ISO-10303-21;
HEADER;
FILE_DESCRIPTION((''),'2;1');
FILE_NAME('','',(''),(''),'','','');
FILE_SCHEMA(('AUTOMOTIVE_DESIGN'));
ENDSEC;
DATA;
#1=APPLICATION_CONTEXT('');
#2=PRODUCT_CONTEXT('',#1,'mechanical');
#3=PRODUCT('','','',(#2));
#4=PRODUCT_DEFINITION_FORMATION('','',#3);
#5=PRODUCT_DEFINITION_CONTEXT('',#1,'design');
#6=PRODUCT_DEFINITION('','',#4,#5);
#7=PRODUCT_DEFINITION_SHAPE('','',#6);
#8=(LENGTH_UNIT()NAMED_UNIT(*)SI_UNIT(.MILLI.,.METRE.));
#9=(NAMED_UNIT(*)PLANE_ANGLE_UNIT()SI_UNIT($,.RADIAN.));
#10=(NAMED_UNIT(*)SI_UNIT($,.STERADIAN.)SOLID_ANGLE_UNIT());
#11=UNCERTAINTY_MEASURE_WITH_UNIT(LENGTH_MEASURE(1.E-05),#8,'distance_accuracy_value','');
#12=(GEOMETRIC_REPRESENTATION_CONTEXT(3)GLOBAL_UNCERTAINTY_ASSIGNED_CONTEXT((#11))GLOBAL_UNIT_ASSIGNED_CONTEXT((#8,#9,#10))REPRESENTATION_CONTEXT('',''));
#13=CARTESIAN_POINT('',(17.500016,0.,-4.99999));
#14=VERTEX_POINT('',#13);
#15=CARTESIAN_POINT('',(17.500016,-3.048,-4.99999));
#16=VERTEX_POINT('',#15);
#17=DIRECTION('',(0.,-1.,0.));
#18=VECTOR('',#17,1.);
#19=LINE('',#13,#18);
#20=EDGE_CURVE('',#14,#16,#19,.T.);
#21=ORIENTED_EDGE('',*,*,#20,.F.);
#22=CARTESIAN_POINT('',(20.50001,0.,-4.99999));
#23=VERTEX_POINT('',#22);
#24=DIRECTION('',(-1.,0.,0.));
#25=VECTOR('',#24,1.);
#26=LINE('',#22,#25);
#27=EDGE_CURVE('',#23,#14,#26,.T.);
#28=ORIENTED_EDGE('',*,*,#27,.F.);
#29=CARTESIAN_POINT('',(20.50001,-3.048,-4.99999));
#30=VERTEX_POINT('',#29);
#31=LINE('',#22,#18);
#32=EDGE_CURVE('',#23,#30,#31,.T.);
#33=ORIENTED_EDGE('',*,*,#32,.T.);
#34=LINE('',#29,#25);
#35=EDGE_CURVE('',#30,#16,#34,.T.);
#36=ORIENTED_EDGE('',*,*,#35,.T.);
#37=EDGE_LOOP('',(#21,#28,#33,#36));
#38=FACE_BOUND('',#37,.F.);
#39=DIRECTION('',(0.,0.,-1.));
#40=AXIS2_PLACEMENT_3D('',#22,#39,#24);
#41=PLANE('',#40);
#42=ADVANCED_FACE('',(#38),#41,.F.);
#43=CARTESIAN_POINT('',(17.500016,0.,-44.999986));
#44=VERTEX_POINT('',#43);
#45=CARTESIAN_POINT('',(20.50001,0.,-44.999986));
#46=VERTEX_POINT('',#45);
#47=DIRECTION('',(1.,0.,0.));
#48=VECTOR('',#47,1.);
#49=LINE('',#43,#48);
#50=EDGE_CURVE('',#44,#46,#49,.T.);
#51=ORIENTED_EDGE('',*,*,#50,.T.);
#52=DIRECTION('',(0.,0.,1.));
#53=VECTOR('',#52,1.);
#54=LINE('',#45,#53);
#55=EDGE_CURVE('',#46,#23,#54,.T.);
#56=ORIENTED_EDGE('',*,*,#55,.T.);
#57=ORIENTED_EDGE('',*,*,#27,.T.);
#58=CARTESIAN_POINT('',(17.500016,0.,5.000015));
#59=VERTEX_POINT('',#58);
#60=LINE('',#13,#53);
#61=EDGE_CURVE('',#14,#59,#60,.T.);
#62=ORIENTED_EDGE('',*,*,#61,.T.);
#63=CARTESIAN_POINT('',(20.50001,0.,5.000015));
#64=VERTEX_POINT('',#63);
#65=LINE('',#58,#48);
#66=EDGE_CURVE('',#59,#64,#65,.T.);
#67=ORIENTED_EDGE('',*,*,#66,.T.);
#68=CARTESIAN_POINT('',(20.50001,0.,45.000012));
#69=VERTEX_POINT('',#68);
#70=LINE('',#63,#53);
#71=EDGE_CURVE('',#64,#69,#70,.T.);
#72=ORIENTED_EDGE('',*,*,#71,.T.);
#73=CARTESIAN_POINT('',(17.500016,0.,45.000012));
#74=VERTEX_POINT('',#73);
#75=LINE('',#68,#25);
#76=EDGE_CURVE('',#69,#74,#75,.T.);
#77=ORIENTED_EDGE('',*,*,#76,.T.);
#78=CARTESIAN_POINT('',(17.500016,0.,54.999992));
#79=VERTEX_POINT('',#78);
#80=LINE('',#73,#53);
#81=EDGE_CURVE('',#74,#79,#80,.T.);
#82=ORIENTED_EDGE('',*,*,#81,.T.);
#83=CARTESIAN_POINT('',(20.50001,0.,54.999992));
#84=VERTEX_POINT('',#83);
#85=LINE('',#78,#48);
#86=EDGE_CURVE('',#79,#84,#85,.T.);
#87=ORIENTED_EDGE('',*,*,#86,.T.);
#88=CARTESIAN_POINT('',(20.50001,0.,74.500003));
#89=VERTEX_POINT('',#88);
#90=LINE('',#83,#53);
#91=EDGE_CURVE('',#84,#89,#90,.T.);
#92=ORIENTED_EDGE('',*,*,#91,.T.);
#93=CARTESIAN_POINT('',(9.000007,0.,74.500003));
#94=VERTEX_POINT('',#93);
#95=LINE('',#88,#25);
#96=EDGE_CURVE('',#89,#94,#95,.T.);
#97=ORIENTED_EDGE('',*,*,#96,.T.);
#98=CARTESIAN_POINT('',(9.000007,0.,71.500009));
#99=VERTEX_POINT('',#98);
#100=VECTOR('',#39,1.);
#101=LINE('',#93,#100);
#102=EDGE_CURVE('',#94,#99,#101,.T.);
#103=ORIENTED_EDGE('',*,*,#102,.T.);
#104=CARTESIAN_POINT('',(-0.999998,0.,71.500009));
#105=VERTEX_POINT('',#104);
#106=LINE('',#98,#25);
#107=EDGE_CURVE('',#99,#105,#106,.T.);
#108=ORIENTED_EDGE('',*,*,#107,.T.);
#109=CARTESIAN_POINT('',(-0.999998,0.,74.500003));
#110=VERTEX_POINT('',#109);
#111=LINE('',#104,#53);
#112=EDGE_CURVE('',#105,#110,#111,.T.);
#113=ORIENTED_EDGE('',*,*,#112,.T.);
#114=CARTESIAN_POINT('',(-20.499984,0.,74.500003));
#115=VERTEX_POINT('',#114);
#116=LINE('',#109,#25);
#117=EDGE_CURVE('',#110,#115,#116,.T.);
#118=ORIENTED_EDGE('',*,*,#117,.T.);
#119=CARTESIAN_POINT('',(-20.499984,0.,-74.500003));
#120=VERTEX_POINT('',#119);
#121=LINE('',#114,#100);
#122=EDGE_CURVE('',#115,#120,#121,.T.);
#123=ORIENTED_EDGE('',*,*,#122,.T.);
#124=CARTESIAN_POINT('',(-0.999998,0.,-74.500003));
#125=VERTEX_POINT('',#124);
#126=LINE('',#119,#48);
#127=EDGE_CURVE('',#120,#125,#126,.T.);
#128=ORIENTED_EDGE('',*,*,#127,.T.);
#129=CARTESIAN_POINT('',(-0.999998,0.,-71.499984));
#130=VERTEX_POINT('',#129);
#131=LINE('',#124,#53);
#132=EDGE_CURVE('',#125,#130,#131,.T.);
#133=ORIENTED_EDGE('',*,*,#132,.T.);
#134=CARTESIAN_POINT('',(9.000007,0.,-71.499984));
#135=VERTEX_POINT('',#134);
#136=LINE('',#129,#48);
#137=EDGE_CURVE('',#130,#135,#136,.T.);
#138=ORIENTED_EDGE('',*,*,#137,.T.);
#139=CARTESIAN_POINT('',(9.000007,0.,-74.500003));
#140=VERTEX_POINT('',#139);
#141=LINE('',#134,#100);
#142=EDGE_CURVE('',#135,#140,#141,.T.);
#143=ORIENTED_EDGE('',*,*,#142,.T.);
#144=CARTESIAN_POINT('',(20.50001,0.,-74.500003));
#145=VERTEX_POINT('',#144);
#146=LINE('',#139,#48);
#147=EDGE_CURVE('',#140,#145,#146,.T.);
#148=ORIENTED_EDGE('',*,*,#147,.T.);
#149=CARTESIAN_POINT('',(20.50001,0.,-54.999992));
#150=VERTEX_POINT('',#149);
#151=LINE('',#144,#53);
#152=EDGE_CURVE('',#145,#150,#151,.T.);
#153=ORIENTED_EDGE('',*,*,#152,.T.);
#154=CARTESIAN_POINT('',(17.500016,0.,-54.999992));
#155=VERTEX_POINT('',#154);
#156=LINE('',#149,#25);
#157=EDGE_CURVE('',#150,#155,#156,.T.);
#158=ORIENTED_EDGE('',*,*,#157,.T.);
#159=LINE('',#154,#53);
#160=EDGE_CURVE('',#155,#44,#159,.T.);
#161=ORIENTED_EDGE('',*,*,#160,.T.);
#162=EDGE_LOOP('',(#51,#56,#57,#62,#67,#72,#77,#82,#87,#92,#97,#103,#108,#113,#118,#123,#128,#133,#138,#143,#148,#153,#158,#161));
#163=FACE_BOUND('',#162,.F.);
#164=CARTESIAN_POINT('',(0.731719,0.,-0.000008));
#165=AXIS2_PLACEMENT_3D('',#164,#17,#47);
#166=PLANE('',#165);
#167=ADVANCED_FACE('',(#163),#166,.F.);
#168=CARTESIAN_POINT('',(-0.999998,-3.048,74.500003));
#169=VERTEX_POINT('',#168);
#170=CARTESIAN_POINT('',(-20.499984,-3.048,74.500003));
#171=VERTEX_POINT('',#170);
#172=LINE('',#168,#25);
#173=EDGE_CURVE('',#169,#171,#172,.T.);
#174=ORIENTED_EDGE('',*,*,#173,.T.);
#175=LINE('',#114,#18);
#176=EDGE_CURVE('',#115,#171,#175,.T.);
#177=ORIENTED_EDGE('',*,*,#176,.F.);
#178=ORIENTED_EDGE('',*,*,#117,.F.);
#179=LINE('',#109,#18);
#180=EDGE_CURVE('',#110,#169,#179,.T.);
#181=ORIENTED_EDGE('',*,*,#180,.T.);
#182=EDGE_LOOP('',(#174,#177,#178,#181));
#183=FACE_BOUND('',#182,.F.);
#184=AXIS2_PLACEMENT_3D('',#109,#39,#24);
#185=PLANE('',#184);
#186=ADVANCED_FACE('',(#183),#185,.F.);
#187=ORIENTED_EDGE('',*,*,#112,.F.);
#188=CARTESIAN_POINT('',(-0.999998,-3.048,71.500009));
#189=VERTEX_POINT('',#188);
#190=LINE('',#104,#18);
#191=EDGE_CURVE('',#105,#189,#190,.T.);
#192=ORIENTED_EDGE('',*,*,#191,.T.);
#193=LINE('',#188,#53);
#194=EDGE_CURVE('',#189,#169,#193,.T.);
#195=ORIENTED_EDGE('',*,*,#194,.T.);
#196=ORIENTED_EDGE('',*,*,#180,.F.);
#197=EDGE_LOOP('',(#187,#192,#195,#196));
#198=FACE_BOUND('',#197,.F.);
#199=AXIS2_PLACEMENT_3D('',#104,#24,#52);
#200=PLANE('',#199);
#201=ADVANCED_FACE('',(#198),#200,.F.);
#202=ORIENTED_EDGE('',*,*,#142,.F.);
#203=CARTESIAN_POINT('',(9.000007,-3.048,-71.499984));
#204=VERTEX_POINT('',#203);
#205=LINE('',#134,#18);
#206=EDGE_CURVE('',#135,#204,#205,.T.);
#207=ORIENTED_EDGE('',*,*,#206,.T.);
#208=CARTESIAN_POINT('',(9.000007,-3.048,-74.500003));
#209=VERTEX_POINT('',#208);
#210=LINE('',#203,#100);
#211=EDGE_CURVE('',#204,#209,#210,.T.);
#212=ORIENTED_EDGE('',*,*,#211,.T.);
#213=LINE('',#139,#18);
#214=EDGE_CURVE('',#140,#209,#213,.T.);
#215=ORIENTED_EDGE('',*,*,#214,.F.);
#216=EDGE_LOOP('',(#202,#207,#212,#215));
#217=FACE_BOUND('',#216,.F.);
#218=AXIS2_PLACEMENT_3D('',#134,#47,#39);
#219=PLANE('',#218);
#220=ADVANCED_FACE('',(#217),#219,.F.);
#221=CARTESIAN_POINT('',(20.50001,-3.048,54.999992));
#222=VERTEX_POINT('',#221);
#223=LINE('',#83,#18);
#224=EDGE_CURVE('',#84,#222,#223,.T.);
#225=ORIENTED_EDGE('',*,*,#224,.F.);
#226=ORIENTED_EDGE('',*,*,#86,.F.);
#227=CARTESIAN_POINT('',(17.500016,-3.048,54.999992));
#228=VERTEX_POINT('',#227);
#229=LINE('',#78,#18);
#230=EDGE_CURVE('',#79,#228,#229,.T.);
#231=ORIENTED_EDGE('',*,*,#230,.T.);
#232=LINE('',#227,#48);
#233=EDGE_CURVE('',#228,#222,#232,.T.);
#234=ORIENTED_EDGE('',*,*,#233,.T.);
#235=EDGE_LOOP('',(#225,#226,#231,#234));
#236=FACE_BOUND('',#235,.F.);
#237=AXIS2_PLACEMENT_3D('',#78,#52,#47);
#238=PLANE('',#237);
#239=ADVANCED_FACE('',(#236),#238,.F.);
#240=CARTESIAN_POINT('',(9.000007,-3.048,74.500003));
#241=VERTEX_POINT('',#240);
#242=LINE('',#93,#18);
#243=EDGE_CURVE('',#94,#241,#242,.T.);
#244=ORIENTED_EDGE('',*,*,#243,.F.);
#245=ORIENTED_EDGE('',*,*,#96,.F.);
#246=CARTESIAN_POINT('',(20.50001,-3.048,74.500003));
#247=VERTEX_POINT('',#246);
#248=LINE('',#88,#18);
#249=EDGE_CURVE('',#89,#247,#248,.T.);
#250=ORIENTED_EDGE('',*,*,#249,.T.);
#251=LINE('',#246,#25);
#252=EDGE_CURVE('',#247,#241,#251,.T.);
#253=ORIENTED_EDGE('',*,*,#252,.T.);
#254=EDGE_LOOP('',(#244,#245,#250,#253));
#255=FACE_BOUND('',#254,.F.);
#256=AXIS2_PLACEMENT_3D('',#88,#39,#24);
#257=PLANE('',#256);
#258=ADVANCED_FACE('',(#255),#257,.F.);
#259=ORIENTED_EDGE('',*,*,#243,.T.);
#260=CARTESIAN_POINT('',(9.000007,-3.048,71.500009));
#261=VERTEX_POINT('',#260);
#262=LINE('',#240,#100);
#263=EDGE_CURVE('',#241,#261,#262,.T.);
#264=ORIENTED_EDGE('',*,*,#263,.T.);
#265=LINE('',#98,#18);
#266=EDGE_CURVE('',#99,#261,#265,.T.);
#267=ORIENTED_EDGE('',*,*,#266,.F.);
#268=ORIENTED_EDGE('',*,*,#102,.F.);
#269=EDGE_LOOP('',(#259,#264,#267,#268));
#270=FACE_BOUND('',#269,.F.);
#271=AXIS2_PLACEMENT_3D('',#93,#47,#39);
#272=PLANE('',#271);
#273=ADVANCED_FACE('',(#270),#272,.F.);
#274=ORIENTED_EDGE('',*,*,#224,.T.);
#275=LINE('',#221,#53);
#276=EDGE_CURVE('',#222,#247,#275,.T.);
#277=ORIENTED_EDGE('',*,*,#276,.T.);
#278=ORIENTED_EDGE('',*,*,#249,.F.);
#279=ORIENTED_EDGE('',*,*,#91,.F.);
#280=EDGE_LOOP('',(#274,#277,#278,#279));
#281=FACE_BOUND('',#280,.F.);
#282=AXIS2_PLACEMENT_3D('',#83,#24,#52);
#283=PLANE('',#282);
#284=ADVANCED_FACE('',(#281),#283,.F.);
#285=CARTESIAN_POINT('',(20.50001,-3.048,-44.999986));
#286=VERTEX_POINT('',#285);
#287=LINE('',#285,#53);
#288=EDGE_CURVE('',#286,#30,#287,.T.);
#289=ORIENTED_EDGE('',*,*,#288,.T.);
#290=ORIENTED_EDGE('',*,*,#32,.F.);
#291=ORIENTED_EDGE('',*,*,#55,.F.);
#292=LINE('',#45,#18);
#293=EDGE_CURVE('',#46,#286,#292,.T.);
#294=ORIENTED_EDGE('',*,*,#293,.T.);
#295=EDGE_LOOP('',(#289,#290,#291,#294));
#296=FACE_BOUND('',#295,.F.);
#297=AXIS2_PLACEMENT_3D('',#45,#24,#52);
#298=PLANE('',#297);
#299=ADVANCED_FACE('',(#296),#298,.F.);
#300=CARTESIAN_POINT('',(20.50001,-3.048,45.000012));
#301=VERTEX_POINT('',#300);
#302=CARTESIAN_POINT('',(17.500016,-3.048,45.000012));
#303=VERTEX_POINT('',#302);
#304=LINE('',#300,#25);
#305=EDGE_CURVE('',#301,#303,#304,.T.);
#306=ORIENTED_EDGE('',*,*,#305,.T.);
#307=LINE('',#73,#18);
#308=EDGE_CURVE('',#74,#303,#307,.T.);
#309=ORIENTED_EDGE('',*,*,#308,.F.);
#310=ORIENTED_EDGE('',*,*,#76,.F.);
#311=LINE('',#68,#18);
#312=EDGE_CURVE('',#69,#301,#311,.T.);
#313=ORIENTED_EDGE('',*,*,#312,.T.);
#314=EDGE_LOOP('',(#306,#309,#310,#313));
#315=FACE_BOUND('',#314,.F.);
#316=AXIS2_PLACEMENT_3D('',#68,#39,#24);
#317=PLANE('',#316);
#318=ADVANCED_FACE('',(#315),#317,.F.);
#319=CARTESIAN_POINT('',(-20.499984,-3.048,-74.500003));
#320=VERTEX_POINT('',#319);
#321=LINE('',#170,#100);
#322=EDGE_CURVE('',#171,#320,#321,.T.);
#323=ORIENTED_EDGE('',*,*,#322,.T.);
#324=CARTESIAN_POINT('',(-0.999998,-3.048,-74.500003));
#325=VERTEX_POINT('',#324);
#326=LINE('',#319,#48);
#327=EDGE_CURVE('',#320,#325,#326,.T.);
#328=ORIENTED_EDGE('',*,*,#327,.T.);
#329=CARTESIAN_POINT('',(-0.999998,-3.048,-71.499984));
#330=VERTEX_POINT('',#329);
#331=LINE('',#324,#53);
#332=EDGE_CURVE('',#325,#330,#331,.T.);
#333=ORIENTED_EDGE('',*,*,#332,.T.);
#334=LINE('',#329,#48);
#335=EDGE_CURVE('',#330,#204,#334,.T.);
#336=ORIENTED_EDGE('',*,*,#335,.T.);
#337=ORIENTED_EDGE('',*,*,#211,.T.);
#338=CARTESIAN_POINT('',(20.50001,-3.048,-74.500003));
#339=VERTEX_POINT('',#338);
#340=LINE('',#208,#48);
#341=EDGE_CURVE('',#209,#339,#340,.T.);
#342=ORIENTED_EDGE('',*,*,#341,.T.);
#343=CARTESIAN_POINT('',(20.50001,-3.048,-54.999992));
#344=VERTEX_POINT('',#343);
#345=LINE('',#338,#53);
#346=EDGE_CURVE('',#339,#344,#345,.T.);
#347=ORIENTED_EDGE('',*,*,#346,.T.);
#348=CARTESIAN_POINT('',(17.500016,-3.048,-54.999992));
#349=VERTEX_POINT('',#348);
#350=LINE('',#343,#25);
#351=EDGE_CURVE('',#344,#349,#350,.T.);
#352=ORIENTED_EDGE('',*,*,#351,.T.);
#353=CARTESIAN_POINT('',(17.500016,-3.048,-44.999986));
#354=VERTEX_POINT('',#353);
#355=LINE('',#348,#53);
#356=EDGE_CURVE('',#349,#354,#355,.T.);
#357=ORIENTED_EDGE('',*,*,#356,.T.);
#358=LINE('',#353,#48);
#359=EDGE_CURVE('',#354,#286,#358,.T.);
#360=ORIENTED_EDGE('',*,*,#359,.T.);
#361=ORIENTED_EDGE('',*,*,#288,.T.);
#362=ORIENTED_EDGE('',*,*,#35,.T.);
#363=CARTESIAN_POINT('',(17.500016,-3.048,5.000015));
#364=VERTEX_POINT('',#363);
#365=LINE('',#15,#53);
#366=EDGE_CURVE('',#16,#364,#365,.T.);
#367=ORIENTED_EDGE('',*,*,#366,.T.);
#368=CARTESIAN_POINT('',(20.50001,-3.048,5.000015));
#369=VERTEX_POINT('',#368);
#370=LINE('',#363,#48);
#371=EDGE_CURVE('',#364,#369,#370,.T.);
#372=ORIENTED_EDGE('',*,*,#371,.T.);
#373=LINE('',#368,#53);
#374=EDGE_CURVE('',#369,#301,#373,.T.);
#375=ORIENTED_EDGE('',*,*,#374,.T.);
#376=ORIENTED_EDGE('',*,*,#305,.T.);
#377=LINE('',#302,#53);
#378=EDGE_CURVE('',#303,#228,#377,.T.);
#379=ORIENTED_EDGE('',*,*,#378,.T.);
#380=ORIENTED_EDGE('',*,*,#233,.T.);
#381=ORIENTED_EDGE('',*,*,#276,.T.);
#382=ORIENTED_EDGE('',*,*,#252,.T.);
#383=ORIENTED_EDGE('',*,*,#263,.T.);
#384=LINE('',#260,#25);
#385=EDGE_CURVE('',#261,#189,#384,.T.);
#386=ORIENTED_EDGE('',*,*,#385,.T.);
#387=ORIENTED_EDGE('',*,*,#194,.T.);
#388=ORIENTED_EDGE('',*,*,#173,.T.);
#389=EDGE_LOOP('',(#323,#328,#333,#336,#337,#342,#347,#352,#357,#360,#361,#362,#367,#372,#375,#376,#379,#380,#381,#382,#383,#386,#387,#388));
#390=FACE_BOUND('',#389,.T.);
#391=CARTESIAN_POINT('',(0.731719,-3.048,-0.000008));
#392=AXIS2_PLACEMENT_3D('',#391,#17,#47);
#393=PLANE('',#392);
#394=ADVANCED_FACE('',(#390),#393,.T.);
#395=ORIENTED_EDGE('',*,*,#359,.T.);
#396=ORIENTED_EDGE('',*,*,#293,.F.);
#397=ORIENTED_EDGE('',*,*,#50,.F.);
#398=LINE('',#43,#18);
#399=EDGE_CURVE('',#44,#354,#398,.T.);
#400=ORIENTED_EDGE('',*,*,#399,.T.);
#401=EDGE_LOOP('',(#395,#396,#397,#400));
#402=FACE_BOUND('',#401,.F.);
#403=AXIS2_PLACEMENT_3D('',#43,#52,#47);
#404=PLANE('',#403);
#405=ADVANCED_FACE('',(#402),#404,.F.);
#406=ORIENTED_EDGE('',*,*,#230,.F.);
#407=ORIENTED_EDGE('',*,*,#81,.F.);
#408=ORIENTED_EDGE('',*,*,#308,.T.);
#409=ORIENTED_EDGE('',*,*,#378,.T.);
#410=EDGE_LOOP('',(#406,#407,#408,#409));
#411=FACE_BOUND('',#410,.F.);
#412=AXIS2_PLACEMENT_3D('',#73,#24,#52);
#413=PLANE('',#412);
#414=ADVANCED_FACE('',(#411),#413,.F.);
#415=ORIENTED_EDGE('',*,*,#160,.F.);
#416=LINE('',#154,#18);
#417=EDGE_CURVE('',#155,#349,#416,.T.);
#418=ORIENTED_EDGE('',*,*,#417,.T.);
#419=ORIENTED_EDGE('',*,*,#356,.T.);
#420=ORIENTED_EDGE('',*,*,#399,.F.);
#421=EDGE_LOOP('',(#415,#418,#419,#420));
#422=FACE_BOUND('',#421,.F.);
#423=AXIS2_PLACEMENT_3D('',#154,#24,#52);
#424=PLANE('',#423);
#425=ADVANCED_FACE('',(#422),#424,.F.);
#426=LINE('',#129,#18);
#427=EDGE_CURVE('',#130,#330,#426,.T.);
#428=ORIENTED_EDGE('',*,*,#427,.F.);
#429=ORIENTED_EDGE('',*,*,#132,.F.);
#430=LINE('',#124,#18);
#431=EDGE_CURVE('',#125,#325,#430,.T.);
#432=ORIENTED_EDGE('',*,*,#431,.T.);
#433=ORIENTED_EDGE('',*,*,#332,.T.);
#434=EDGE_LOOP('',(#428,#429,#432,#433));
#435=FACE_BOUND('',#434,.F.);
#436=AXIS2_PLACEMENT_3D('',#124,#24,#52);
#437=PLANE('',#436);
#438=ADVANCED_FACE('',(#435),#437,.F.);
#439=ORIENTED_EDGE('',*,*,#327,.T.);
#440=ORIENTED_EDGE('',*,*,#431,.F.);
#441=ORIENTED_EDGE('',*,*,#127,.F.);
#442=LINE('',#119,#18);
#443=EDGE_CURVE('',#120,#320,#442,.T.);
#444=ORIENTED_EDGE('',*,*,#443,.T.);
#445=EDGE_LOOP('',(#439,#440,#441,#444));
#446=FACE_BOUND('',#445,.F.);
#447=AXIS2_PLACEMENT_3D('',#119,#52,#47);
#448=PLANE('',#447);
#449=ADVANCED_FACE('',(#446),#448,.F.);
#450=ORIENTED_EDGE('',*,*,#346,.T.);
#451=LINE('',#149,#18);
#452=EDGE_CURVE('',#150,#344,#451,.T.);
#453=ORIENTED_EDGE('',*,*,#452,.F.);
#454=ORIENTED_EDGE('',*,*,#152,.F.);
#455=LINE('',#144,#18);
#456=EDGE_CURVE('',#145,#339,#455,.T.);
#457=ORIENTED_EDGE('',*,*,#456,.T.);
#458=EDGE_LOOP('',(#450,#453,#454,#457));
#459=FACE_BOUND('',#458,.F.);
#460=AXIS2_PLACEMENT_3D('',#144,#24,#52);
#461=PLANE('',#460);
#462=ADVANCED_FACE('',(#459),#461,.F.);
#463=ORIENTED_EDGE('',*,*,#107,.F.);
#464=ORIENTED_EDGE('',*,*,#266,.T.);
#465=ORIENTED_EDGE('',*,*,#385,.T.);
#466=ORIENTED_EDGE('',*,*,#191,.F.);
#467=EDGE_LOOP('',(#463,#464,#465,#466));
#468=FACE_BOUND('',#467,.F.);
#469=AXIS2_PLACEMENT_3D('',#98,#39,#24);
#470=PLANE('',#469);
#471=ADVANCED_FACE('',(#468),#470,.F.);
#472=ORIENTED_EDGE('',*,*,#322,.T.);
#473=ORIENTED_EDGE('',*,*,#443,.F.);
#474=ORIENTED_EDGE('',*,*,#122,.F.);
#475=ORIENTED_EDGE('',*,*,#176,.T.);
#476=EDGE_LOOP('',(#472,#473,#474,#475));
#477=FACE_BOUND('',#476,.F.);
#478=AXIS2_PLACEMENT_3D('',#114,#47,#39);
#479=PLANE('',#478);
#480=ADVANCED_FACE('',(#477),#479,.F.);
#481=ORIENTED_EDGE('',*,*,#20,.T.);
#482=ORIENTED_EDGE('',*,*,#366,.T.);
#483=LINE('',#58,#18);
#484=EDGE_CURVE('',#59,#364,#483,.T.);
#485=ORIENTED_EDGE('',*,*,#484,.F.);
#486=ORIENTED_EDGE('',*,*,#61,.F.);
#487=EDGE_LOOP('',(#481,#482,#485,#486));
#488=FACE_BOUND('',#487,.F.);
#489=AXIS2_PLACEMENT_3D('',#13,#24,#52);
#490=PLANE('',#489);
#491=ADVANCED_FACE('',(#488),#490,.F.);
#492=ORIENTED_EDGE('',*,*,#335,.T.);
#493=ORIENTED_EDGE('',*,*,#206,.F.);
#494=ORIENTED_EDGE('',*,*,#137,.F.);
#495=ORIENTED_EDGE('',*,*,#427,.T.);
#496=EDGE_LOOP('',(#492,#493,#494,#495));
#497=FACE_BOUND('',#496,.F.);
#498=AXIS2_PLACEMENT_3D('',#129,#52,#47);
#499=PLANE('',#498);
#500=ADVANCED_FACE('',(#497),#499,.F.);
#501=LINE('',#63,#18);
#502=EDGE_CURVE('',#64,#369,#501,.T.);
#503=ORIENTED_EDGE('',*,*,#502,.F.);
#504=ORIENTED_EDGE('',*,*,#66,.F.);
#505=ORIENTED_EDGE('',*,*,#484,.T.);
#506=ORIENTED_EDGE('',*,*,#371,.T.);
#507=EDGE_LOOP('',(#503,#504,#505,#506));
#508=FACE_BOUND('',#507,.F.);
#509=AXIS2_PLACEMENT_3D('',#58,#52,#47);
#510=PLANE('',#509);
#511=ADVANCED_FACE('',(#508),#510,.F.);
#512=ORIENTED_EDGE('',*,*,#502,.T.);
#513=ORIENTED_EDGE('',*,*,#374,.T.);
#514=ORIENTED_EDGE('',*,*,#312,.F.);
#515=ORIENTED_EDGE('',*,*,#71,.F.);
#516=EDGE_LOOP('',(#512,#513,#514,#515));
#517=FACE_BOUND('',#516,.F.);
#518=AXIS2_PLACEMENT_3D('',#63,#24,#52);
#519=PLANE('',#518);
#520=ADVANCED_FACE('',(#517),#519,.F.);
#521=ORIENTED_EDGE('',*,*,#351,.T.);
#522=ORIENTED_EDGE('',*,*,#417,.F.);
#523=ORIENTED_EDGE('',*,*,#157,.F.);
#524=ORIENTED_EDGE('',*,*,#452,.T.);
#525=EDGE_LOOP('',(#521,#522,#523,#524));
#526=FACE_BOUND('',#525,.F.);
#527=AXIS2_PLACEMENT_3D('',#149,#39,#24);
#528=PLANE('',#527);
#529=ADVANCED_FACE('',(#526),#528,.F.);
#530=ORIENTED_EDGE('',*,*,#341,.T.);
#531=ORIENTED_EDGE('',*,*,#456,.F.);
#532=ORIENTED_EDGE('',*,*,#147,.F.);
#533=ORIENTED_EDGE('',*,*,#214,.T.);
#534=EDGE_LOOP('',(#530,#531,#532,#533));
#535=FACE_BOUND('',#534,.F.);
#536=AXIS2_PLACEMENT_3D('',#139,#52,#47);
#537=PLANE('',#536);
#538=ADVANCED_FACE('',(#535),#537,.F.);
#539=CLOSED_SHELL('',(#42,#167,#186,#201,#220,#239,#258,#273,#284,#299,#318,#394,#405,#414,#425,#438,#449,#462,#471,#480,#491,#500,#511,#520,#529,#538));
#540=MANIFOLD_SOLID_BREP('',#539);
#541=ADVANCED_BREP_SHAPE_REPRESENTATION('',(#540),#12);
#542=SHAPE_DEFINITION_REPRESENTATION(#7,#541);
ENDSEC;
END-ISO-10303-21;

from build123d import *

# Parameters (mm, degrees)
F1_DEPTH = 3.048


with BuildPart() as f1:
    # F0 (on Front) → F1 (new body)
    with BuildSketch(Plane.XZ):
        Polygon((9.000007, -71.499984), (9.000007, -74.500003), (20.50001, -74.500003), (20.50001, -54.999992), (17.500016, -54.999992), (17.500016, -44.999986), (20.50001, -44.999986), (20.50001, -4.99999), (17.500016, -4.99999), (17.500016, 5.000015), (20.50001, 5.000015), (20.50001, 45.000012), (17.500016, 45.000012), (17.500016, 54.999992), (20.50001, 54.999992), (20.50001, 74.500003), (9.000007, 74.500003), (9.000007, 71.500009), (-0.999998, 71.500009), (-0.999998, 74.500003), (-20.499984, 74.500003), (-20.499984, -74.500003), (-0.999998, -74.500003), (-0.999998, -71.499984), align=None)
    extrude(amount=F1_DEPTH)


solid = f1.part
